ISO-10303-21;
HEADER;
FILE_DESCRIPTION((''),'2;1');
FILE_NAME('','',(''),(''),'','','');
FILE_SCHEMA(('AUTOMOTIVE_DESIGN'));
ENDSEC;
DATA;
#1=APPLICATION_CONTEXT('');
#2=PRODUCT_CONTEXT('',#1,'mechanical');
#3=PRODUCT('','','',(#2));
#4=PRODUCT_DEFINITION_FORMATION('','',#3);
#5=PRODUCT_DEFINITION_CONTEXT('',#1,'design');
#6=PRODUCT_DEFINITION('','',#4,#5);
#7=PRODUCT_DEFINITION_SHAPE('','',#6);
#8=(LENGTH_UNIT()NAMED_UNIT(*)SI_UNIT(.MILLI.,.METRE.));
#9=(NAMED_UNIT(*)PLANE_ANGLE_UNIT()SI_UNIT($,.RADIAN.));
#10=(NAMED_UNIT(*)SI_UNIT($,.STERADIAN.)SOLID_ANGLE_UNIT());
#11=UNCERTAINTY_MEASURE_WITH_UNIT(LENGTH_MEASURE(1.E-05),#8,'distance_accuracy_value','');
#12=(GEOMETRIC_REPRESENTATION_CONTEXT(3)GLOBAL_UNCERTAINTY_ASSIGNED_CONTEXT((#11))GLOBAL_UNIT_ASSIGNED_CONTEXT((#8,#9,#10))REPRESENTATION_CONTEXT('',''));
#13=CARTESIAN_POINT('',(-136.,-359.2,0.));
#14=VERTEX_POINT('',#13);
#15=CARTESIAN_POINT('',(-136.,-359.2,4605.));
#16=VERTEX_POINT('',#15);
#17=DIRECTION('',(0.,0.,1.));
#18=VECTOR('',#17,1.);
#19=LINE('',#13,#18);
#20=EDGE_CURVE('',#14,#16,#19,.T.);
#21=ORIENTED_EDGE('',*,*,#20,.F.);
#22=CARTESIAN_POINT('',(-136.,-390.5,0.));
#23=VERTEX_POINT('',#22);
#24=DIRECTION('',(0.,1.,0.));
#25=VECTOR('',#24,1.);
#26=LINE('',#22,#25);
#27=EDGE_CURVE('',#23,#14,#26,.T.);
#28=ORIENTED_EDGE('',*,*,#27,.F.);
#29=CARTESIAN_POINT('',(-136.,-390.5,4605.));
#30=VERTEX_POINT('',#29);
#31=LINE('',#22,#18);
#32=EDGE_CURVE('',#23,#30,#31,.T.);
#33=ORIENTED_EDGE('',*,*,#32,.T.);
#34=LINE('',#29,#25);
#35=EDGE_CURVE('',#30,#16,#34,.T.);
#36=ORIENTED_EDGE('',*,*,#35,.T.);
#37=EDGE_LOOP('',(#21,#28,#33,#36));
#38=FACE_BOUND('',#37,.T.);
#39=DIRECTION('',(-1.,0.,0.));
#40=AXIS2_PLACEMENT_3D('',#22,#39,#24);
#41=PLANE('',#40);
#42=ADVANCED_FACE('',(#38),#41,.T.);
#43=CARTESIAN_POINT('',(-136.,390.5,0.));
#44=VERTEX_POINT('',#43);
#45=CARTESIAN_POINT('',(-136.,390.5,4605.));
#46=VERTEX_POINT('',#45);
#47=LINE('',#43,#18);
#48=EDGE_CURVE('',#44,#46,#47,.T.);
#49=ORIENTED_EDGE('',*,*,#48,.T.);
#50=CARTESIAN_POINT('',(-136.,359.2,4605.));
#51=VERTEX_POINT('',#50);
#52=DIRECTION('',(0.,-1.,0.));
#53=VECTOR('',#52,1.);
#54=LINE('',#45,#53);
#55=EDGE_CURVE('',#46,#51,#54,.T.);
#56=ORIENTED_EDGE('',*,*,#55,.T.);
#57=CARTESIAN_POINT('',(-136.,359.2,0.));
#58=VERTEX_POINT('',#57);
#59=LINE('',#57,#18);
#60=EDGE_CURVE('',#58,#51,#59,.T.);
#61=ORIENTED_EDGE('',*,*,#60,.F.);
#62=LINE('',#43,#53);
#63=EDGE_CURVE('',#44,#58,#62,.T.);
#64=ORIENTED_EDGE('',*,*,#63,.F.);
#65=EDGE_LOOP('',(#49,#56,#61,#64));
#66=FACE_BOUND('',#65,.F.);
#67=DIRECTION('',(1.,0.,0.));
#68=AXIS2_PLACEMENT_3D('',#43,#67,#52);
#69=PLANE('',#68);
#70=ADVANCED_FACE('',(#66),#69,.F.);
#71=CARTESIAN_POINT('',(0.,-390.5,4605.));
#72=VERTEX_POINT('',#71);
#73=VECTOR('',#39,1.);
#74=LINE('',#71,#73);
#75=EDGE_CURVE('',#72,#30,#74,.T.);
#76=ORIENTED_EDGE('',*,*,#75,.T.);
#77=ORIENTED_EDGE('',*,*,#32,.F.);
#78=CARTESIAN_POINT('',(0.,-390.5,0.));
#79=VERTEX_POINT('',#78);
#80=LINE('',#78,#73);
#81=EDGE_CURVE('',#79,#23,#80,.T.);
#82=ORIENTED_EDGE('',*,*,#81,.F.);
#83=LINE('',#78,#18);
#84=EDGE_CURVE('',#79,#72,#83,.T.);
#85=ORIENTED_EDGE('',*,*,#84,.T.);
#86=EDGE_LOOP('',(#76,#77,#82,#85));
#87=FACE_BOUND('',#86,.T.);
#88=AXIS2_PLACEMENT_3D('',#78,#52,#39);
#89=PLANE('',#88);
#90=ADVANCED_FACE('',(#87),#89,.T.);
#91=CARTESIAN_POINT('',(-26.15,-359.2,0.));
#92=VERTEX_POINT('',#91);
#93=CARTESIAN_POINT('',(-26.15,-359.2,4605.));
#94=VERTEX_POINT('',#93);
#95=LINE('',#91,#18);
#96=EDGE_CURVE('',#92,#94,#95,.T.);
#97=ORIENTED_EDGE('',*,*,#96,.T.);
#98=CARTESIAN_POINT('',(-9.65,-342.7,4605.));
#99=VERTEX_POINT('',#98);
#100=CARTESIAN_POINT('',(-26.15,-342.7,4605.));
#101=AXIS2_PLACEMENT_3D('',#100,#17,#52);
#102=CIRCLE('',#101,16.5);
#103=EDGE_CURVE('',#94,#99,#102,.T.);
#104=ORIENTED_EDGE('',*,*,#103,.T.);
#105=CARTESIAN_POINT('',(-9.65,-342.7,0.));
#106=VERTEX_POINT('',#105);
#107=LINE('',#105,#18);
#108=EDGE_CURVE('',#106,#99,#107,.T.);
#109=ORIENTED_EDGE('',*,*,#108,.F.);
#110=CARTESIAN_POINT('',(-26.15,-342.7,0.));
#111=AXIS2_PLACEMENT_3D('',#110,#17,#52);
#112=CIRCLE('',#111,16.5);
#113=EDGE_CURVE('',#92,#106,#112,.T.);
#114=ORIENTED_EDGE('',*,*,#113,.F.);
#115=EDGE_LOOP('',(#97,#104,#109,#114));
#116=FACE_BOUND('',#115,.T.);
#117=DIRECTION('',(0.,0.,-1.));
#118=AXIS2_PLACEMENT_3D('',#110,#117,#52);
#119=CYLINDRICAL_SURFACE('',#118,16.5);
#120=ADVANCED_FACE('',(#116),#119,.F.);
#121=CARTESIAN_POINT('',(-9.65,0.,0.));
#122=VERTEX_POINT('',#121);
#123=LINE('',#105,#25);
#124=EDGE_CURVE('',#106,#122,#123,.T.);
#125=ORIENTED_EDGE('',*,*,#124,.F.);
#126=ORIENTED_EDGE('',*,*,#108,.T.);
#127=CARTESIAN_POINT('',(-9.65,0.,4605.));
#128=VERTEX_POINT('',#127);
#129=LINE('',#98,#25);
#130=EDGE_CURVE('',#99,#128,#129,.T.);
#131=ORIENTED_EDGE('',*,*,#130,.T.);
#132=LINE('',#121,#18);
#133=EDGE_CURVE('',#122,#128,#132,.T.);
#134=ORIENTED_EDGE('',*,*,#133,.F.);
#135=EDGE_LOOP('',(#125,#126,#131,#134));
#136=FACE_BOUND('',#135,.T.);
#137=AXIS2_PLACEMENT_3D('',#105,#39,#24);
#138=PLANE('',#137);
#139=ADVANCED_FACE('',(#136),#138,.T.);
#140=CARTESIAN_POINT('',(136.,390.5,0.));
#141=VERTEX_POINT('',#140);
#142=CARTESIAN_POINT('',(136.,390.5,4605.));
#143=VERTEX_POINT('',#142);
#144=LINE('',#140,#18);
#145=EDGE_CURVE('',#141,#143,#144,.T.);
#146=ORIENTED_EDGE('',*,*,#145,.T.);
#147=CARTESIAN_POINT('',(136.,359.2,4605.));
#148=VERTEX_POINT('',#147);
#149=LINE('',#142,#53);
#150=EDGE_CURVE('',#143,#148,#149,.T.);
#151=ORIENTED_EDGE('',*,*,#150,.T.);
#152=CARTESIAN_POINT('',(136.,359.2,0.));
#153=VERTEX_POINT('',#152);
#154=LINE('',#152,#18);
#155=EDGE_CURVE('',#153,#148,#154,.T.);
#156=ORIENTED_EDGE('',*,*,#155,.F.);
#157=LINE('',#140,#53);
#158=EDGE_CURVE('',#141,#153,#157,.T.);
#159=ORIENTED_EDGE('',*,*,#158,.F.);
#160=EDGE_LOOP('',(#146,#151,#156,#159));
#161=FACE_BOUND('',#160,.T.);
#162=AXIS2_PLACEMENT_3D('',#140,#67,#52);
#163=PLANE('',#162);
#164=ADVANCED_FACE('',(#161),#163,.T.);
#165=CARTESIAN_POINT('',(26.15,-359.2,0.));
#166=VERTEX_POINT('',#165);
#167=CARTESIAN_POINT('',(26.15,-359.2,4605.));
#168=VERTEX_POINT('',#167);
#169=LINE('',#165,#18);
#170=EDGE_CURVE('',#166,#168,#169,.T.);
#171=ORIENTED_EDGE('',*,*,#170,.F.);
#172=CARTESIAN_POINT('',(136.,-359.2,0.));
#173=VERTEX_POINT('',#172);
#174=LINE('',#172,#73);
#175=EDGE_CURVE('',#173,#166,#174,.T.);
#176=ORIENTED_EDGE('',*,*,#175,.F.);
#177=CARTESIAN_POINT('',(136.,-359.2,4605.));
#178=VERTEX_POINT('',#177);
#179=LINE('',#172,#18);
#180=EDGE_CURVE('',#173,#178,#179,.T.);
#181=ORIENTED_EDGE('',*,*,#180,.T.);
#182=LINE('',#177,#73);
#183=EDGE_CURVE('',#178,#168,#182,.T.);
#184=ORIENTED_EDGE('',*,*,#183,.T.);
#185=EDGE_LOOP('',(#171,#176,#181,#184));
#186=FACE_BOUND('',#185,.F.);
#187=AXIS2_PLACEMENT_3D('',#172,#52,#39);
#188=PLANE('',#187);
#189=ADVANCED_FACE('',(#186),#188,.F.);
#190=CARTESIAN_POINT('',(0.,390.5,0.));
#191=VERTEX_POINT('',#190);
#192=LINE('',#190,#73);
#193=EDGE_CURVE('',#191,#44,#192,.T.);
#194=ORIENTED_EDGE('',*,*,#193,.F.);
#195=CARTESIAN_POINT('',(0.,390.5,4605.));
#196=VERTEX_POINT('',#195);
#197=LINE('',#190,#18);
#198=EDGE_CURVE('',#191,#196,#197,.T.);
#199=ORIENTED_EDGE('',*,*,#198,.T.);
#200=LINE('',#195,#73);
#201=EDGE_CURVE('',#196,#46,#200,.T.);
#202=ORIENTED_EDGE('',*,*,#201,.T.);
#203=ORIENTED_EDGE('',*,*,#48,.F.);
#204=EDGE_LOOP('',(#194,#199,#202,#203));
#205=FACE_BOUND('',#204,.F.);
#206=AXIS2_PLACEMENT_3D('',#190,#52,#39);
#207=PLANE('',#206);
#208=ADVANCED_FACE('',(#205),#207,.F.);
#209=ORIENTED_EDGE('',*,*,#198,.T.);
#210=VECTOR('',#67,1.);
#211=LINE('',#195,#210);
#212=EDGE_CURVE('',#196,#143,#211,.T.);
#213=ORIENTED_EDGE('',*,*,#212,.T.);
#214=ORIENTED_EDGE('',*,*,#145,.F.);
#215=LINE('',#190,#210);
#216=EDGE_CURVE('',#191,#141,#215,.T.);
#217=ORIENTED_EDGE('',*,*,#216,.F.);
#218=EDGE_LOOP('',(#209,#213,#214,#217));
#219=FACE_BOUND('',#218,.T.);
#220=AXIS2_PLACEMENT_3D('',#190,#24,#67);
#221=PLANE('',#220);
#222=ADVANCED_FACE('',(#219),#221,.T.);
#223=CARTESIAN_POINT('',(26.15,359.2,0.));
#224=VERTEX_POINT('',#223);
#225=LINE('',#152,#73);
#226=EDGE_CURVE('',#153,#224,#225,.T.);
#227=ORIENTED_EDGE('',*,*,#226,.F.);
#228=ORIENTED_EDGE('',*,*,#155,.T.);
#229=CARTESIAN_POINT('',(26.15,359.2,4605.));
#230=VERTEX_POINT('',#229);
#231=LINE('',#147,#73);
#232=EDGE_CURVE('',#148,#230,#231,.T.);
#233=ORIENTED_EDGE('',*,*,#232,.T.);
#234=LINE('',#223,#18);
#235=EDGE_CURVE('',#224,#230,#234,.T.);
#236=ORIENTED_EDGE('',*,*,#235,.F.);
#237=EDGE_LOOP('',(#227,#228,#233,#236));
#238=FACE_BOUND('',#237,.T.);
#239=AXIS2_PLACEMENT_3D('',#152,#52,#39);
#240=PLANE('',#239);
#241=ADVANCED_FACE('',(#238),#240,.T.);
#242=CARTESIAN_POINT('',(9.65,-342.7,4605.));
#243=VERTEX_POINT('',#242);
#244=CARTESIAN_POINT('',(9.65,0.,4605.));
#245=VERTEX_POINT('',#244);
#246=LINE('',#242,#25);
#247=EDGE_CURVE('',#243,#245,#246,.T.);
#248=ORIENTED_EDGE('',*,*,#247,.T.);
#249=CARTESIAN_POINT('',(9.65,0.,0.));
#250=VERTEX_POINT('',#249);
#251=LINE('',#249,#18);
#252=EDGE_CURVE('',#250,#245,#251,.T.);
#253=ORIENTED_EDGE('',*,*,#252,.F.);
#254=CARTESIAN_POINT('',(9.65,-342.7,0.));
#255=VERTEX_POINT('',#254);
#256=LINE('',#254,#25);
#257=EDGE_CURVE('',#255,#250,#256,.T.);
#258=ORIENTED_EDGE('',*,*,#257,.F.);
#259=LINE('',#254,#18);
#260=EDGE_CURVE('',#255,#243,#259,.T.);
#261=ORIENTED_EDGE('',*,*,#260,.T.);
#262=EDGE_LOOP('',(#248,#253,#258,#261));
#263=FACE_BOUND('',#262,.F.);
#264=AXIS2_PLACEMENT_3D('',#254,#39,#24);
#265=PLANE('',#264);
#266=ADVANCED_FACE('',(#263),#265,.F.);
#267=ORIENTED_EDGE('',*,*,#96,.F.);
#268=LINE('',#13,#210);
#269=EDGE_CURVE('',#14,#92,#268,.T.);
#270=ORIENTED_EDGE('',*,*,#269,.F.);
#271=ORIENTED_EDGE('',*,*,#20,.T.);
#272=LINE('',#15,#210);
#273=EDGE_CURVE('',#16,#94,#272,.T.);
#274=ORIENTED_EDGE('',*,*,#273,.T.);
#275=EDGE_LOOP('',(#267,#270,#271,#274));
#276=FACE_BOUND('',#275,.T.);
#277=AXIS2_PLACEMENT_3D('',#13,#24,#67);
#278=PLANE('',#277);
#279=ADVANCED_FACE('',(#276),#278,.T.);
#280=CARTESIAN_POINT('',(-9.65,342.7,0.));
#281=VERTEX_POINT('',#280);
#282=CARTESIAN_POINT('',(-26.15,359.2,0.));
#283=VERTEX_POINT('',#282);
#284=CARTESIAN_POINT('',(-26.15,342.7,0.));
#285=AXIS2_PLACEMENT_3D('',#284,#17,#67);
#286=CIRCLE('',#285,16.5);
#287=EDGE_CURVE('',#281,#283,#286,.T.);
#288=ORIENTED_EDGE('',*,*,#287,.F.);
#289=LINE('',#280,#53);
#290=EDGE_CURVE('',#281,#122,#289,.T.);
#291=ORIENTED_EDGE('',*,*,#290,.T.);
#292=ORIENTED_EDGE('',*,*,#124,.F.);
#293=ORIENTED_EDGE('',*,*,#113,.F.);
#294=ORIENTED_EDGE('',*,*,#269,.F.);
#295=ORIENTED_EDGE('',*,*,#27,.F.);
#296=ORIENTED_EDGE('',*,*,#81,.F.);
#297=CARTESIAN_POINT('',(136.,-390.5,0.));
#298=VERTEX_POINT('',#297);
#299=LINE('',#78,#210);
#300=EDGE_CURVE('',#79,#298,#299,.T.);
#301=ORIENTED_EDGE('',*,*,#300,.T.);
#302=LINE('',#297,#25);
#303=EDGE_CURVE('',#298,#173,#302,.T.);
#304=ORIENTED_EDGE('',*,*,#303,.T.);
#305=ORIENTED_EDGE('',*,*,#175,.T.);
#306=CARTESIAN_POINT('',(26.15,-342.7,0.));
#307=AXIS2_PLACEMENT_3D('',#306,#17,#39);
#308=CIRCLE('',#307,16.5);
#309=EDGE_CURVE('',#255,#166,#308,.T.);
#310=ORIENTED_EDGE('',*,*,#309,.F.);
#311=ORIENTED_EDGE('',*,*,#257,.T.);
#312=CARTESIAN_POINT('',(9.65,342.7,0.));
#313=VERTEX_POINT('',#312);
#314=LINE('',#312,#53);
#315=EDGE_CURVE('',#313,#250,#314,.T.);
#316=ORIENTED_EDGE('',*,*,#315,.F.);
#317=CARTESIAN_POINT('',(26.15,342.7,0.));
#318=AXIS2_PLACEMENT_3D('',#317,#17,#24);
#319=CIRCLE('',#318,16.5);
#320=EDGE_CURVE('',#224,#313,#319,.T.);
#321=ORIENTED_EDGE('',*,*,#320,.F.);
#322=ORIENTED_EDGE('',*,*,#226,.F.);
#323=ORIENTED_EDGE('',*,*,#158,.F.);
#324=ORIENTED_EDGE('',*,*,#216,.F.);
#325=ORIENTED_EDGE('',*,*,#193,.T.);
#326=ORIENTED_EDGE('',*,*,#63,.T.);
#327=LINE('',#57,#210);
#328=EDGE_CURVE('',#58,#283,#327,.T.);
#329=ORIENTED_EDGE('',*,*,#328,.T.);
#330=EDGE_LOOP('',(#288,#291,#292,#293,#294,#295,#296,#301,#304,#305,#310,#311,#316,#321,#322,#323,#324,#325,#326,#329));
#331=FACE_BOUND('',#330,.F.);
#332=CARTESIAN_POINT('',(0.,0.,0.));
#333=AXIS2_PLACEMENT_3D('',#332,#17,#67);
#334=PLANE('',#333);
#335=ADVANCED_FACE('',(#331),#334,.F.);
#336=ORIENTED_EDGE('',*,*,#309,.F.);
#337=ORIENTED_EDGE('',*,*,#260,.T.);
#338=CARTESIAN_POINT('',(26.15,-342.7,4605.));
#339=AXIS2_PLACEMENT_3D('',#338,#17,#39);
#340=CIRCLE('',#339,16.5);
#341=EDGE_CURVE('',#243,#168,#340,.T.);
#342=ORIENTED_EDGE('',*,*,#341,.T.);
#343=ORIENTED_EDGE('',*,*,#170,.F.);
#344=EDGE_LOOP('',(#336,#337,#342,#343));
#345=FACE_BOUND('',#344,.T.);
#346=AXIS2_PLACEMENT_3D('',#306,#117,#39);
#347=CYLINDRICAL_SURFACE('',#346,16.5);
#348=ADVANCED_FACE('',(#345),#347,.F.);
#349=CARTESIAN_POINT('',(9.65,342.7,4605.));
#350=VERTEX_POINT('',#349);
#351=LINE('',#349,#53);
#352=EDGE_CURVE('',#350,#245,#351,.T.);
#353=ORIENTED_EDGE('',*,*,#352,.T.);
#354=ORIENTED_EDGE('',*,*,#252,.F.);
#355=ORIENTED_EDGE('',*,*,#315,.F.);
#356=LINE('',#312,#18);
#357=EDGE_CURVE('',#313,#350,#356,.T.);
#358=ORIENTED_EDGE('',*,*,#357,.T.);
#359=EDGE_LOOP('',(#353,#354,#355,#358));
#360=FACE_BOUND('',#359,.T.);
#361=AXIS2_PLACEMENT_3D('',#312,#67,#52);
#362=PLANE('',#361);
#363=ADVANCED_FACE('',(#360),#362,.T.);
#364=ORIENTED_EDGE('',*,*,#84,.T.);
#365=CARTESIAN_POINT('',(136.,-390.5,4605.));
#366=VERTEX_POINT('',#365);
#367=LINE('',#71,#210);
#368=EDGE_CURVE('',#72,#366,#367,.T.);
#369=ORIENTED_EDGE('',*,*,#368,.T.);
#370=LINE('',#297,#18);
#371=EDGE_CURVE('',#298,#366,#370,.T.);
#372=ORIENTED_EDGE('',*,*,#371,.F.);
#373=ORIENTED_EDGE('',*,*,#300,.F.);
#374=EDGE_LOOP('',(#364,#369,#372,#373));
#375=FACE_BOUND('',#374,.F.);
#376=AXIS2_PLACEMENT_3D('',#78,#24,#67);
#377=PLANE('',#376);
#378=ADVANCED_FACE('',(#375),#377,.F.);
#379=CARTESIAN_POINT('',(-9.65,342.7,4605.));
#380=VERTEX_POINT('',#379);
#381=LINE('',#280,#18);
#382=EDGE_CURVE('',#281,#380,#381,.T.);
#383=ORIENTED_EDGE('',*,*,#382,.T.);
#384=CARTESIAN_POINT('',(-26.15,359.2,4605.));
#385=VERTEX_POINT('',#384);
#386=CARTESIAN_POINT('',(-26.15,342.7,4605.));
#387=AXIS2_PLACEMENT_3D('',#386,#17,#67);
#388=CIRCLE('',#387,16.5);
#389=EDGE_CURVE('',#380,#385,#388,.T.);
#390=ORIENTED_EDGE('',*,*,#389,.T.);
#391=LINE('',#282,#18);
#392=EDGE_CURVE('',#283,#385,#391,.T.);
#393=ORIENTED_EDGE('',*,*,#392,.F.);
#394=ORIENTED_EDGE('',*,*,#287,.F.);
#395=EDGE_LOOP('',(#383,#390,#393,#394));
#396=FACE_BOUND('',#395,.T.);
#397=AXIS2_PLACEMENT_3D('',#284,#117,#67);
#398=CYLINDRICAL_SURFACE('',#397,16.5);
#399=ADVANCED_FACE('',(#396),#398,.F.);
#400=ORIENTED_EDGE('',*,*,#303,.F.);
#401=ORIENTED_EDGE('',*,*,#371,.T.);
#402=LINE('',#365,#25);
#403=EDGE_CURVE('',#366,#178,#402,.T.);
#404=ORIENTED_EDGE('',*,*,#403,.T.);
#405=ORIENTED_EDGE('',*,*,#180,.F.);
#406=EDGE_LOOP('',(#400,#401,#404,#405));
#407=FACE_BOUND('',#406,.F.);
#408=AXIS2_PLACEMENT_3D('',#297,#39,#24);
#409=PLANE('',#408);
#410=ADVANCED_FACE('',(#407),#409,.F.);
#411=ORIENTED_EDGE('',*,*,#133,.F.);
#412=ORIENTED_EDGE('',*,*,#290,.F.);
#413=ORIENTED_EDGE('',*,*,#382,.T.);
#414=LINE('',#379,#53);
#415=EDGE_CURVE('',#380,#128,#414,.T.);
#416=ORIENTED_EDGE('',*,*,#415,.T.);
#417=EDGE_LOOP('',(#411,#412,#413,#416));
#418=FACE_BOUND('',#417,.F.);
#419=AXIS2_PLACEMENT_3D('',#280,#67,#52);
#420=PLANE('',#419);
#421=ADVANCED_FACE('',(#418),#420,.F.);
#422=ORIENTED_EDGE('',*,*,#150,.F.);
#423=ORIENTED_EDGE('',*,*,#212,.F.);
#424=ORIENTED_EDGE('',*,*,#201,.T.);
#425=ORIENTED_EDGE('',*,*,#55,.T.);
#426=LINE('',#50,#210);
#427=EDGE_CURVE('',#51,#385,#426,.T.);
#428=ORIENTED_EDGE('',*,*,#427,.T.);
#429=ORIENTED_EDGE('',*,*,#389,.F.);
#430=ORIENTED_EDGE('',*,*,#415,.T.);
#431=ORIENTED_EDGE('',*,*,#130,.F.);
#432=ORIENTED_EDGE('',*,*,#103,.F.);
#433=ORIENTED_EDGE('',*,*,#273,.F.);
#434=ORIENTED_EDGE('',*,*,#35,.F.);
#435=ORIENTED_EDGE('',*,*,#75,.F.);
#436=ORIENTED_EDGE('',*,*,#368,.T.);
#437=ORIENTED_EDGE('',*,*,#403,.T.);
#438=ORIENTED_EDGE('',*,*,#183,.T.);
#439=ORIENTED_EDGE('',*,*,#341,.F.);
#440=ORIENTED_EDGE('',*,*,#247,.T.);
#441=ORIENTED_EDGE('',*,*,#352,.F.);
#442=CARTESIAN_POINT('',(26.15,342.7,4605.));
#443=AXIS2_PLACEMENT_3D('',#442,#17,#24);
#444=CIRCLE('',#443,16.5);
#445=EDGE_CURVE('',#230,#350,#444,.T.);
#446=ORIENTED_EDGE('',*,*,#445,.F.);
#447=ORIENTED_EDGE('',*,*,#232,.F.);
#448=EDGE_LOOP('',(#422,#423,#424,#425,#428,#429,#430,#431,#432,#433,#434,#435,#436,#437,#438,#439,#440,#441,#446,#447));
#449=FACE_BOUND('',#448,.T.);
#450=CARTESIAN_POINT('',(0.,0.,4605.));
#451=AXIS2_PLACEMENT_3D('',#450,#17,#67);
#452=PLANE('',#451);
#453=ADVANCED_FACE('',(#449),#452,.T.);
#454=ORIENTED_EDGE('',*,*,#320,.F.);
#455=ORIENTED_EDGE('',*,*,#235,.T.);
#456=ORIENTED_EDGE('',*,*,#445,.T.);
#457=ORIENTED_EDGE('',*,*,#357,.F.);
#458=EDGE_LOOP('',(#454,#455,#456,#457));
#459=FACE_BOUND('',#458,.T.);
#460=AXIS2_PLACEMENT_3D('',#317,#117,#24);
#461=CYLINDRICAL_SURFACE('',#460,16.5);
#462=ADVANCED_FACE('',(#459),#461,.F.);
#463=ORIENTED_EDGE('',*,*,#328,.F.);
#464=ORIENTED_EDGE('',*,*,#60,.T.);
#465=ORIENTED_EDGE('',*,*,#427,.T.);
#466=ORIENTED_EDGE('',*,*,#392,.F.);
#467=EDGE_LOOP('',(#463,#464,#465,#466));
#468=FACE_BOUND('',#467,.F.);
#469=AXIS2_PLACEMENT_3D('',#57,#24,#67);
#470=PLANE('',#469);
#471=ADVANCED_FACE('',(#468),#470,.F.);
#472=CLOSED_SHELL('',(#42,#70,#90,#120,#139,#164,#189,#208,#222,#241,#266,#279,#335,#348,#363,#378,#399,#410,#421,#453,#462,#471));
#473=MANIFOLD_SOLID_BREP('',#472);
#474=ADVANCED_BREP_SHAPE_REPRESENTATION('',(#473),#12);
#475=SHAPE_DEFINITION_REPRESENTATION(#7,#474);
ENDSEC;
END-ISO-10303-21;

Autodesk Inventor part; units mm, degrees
ref_plane "YZ Plane" through (0, 0, 0) normal (1, 0, 0) x (0, 1, 0)
ref_plane "Start plane" through (0, 0, 0) normal (0, 0, 1) x (1, 0, 0)
ref_plane "End plane" through (0, 0, 4605) normal (0, 0, 1) x (1, 0, 0)
sketch "Sketch" plane through (0, 0, 0) normal (0, 0, 1) x (1, 0, 0)
  line L0 (-136, -390.5) -> (-136, -359.2)
  line L1 (-136, -359.2) -> (-26.15, -359.2)
  line L2 (-9.65, -342.7) -> (-9.65, 0)
  line L3 (-9.65, 0) -> (0, 0) construction
  line L4 (0, 0) -> (0, -390.5) construction
  line L5 (0, -390.5) -> (-136, -390.5)
  line L6 (-60, 0) -> (80, 0) construction
  line L7 (0, -60) -> (0, 80) construction
  line L8 (136, -390.5) -> (136, -359.2)
  line L9 (136, -359.2) -> (26.15, -359.2)
  line L10 (9.65, -342.7) -> (9.65, 0)
  line L11 (9.65, 0) -> (0, 0) construction
  line L12 (0, -390.5) -> (136, -390.5)
  line L13 (-136, 390.5) -> (-136, 359.2)
  line L14 (-136, 359.2) -> (-26.15, 359.2)
  line L15 (-9.65, 342.7) -> (-9.65, 0)
  line L16 (0, 390.5) -> (-136, 390.5)
  line L17 (136, 390.5) -> (136, 359.2)
  line L18 (136, 359.2) -> (26.15, 359.2)
  line L19 (0, 390.5) -> (136, 390.5)
  line L20 (9.65, 342.7) -> (9.65, 0)
  arc A0 (-9.65, 342.7) -> (-26.15, 359.2) centre (-26.15, 342.7) ccw
  arc A1 (26.15, 359.2) -> (9.65, 342.7) centre (26.15, 342.7) ccw
  arc A2 (9.65, -342.7) -> (26.15, -359.2) centre (26.15, -342.7) ccw
  arc A3 (-26.15, -359.2) -> (-9.65, -342.7) centre (-26.15, -342.7) ccw
  line L21 (0, 108) -> (0, -88) construction
  line L22 (-88, 0) -> (108, 0) construction
  point P0 (-9.65, -359.2)
  point P1 (9.65, -359.2)
  point P2 (-9.65, 359.2)
  point P3 (9.65, 359.2)
  dimension "d1" = 390.5
  dimension "d2" = 31.3
  dimension "d3" = 136
  dimension "d4" = 9.65
  dimension "d10" = 16.5
extrude "Body" add sketch "Sketch" along normal up to surface (4605 mm away) from surface at 0
sketch "Sketch4" plane through (0, 0, 0) normal (0, 0, 1) x (1, 0, 0)
  line L0 (0, 0) -> (10, 0)
ref_plane "Work Plane3" through (0, 0, 0) normal (0, -1, 0) x (1, 0, 0)
sketch "Sketch5" plane through (0, 0, 0) normal (0, -1, 0) x (1, 0, 0)
  line L0 (-2, 0) -> (12, 0) projected
  line L1 (-2, 4605) -> (12, 4605) projected
  dimension "d14" = 4605
equation "\"d1\" = 0.5 * G_H"
equation "\"d2\" = G_T1"
equation "\"d3\" = 0.5 * G_W"
equation "\"d4\" = 0.5 * G_T"
equation "\"d10\" = G_IR"
equation "\"d5\" = G_L"
equation "\"G_W\" = 272"
equation "\"G_H\" = 781"
equation "\"G_T\" = 19.3"
equation "\"G_T1\" = 31.3"
equation "\"G_IR\" = 16.5"
equation "\"G_L\" = d14"
equation "\"G_OFFSET_START\" = 0"
equation "\"G_OFFSET_END\" = 0"
equation "\"d12\" = G_OFFSET_END + B_L"
equation "\"B_L\" = 4605"
properties part number "AS 3679-1990 - 760 UB - 244 - 4605" material "Steel, Mild"
